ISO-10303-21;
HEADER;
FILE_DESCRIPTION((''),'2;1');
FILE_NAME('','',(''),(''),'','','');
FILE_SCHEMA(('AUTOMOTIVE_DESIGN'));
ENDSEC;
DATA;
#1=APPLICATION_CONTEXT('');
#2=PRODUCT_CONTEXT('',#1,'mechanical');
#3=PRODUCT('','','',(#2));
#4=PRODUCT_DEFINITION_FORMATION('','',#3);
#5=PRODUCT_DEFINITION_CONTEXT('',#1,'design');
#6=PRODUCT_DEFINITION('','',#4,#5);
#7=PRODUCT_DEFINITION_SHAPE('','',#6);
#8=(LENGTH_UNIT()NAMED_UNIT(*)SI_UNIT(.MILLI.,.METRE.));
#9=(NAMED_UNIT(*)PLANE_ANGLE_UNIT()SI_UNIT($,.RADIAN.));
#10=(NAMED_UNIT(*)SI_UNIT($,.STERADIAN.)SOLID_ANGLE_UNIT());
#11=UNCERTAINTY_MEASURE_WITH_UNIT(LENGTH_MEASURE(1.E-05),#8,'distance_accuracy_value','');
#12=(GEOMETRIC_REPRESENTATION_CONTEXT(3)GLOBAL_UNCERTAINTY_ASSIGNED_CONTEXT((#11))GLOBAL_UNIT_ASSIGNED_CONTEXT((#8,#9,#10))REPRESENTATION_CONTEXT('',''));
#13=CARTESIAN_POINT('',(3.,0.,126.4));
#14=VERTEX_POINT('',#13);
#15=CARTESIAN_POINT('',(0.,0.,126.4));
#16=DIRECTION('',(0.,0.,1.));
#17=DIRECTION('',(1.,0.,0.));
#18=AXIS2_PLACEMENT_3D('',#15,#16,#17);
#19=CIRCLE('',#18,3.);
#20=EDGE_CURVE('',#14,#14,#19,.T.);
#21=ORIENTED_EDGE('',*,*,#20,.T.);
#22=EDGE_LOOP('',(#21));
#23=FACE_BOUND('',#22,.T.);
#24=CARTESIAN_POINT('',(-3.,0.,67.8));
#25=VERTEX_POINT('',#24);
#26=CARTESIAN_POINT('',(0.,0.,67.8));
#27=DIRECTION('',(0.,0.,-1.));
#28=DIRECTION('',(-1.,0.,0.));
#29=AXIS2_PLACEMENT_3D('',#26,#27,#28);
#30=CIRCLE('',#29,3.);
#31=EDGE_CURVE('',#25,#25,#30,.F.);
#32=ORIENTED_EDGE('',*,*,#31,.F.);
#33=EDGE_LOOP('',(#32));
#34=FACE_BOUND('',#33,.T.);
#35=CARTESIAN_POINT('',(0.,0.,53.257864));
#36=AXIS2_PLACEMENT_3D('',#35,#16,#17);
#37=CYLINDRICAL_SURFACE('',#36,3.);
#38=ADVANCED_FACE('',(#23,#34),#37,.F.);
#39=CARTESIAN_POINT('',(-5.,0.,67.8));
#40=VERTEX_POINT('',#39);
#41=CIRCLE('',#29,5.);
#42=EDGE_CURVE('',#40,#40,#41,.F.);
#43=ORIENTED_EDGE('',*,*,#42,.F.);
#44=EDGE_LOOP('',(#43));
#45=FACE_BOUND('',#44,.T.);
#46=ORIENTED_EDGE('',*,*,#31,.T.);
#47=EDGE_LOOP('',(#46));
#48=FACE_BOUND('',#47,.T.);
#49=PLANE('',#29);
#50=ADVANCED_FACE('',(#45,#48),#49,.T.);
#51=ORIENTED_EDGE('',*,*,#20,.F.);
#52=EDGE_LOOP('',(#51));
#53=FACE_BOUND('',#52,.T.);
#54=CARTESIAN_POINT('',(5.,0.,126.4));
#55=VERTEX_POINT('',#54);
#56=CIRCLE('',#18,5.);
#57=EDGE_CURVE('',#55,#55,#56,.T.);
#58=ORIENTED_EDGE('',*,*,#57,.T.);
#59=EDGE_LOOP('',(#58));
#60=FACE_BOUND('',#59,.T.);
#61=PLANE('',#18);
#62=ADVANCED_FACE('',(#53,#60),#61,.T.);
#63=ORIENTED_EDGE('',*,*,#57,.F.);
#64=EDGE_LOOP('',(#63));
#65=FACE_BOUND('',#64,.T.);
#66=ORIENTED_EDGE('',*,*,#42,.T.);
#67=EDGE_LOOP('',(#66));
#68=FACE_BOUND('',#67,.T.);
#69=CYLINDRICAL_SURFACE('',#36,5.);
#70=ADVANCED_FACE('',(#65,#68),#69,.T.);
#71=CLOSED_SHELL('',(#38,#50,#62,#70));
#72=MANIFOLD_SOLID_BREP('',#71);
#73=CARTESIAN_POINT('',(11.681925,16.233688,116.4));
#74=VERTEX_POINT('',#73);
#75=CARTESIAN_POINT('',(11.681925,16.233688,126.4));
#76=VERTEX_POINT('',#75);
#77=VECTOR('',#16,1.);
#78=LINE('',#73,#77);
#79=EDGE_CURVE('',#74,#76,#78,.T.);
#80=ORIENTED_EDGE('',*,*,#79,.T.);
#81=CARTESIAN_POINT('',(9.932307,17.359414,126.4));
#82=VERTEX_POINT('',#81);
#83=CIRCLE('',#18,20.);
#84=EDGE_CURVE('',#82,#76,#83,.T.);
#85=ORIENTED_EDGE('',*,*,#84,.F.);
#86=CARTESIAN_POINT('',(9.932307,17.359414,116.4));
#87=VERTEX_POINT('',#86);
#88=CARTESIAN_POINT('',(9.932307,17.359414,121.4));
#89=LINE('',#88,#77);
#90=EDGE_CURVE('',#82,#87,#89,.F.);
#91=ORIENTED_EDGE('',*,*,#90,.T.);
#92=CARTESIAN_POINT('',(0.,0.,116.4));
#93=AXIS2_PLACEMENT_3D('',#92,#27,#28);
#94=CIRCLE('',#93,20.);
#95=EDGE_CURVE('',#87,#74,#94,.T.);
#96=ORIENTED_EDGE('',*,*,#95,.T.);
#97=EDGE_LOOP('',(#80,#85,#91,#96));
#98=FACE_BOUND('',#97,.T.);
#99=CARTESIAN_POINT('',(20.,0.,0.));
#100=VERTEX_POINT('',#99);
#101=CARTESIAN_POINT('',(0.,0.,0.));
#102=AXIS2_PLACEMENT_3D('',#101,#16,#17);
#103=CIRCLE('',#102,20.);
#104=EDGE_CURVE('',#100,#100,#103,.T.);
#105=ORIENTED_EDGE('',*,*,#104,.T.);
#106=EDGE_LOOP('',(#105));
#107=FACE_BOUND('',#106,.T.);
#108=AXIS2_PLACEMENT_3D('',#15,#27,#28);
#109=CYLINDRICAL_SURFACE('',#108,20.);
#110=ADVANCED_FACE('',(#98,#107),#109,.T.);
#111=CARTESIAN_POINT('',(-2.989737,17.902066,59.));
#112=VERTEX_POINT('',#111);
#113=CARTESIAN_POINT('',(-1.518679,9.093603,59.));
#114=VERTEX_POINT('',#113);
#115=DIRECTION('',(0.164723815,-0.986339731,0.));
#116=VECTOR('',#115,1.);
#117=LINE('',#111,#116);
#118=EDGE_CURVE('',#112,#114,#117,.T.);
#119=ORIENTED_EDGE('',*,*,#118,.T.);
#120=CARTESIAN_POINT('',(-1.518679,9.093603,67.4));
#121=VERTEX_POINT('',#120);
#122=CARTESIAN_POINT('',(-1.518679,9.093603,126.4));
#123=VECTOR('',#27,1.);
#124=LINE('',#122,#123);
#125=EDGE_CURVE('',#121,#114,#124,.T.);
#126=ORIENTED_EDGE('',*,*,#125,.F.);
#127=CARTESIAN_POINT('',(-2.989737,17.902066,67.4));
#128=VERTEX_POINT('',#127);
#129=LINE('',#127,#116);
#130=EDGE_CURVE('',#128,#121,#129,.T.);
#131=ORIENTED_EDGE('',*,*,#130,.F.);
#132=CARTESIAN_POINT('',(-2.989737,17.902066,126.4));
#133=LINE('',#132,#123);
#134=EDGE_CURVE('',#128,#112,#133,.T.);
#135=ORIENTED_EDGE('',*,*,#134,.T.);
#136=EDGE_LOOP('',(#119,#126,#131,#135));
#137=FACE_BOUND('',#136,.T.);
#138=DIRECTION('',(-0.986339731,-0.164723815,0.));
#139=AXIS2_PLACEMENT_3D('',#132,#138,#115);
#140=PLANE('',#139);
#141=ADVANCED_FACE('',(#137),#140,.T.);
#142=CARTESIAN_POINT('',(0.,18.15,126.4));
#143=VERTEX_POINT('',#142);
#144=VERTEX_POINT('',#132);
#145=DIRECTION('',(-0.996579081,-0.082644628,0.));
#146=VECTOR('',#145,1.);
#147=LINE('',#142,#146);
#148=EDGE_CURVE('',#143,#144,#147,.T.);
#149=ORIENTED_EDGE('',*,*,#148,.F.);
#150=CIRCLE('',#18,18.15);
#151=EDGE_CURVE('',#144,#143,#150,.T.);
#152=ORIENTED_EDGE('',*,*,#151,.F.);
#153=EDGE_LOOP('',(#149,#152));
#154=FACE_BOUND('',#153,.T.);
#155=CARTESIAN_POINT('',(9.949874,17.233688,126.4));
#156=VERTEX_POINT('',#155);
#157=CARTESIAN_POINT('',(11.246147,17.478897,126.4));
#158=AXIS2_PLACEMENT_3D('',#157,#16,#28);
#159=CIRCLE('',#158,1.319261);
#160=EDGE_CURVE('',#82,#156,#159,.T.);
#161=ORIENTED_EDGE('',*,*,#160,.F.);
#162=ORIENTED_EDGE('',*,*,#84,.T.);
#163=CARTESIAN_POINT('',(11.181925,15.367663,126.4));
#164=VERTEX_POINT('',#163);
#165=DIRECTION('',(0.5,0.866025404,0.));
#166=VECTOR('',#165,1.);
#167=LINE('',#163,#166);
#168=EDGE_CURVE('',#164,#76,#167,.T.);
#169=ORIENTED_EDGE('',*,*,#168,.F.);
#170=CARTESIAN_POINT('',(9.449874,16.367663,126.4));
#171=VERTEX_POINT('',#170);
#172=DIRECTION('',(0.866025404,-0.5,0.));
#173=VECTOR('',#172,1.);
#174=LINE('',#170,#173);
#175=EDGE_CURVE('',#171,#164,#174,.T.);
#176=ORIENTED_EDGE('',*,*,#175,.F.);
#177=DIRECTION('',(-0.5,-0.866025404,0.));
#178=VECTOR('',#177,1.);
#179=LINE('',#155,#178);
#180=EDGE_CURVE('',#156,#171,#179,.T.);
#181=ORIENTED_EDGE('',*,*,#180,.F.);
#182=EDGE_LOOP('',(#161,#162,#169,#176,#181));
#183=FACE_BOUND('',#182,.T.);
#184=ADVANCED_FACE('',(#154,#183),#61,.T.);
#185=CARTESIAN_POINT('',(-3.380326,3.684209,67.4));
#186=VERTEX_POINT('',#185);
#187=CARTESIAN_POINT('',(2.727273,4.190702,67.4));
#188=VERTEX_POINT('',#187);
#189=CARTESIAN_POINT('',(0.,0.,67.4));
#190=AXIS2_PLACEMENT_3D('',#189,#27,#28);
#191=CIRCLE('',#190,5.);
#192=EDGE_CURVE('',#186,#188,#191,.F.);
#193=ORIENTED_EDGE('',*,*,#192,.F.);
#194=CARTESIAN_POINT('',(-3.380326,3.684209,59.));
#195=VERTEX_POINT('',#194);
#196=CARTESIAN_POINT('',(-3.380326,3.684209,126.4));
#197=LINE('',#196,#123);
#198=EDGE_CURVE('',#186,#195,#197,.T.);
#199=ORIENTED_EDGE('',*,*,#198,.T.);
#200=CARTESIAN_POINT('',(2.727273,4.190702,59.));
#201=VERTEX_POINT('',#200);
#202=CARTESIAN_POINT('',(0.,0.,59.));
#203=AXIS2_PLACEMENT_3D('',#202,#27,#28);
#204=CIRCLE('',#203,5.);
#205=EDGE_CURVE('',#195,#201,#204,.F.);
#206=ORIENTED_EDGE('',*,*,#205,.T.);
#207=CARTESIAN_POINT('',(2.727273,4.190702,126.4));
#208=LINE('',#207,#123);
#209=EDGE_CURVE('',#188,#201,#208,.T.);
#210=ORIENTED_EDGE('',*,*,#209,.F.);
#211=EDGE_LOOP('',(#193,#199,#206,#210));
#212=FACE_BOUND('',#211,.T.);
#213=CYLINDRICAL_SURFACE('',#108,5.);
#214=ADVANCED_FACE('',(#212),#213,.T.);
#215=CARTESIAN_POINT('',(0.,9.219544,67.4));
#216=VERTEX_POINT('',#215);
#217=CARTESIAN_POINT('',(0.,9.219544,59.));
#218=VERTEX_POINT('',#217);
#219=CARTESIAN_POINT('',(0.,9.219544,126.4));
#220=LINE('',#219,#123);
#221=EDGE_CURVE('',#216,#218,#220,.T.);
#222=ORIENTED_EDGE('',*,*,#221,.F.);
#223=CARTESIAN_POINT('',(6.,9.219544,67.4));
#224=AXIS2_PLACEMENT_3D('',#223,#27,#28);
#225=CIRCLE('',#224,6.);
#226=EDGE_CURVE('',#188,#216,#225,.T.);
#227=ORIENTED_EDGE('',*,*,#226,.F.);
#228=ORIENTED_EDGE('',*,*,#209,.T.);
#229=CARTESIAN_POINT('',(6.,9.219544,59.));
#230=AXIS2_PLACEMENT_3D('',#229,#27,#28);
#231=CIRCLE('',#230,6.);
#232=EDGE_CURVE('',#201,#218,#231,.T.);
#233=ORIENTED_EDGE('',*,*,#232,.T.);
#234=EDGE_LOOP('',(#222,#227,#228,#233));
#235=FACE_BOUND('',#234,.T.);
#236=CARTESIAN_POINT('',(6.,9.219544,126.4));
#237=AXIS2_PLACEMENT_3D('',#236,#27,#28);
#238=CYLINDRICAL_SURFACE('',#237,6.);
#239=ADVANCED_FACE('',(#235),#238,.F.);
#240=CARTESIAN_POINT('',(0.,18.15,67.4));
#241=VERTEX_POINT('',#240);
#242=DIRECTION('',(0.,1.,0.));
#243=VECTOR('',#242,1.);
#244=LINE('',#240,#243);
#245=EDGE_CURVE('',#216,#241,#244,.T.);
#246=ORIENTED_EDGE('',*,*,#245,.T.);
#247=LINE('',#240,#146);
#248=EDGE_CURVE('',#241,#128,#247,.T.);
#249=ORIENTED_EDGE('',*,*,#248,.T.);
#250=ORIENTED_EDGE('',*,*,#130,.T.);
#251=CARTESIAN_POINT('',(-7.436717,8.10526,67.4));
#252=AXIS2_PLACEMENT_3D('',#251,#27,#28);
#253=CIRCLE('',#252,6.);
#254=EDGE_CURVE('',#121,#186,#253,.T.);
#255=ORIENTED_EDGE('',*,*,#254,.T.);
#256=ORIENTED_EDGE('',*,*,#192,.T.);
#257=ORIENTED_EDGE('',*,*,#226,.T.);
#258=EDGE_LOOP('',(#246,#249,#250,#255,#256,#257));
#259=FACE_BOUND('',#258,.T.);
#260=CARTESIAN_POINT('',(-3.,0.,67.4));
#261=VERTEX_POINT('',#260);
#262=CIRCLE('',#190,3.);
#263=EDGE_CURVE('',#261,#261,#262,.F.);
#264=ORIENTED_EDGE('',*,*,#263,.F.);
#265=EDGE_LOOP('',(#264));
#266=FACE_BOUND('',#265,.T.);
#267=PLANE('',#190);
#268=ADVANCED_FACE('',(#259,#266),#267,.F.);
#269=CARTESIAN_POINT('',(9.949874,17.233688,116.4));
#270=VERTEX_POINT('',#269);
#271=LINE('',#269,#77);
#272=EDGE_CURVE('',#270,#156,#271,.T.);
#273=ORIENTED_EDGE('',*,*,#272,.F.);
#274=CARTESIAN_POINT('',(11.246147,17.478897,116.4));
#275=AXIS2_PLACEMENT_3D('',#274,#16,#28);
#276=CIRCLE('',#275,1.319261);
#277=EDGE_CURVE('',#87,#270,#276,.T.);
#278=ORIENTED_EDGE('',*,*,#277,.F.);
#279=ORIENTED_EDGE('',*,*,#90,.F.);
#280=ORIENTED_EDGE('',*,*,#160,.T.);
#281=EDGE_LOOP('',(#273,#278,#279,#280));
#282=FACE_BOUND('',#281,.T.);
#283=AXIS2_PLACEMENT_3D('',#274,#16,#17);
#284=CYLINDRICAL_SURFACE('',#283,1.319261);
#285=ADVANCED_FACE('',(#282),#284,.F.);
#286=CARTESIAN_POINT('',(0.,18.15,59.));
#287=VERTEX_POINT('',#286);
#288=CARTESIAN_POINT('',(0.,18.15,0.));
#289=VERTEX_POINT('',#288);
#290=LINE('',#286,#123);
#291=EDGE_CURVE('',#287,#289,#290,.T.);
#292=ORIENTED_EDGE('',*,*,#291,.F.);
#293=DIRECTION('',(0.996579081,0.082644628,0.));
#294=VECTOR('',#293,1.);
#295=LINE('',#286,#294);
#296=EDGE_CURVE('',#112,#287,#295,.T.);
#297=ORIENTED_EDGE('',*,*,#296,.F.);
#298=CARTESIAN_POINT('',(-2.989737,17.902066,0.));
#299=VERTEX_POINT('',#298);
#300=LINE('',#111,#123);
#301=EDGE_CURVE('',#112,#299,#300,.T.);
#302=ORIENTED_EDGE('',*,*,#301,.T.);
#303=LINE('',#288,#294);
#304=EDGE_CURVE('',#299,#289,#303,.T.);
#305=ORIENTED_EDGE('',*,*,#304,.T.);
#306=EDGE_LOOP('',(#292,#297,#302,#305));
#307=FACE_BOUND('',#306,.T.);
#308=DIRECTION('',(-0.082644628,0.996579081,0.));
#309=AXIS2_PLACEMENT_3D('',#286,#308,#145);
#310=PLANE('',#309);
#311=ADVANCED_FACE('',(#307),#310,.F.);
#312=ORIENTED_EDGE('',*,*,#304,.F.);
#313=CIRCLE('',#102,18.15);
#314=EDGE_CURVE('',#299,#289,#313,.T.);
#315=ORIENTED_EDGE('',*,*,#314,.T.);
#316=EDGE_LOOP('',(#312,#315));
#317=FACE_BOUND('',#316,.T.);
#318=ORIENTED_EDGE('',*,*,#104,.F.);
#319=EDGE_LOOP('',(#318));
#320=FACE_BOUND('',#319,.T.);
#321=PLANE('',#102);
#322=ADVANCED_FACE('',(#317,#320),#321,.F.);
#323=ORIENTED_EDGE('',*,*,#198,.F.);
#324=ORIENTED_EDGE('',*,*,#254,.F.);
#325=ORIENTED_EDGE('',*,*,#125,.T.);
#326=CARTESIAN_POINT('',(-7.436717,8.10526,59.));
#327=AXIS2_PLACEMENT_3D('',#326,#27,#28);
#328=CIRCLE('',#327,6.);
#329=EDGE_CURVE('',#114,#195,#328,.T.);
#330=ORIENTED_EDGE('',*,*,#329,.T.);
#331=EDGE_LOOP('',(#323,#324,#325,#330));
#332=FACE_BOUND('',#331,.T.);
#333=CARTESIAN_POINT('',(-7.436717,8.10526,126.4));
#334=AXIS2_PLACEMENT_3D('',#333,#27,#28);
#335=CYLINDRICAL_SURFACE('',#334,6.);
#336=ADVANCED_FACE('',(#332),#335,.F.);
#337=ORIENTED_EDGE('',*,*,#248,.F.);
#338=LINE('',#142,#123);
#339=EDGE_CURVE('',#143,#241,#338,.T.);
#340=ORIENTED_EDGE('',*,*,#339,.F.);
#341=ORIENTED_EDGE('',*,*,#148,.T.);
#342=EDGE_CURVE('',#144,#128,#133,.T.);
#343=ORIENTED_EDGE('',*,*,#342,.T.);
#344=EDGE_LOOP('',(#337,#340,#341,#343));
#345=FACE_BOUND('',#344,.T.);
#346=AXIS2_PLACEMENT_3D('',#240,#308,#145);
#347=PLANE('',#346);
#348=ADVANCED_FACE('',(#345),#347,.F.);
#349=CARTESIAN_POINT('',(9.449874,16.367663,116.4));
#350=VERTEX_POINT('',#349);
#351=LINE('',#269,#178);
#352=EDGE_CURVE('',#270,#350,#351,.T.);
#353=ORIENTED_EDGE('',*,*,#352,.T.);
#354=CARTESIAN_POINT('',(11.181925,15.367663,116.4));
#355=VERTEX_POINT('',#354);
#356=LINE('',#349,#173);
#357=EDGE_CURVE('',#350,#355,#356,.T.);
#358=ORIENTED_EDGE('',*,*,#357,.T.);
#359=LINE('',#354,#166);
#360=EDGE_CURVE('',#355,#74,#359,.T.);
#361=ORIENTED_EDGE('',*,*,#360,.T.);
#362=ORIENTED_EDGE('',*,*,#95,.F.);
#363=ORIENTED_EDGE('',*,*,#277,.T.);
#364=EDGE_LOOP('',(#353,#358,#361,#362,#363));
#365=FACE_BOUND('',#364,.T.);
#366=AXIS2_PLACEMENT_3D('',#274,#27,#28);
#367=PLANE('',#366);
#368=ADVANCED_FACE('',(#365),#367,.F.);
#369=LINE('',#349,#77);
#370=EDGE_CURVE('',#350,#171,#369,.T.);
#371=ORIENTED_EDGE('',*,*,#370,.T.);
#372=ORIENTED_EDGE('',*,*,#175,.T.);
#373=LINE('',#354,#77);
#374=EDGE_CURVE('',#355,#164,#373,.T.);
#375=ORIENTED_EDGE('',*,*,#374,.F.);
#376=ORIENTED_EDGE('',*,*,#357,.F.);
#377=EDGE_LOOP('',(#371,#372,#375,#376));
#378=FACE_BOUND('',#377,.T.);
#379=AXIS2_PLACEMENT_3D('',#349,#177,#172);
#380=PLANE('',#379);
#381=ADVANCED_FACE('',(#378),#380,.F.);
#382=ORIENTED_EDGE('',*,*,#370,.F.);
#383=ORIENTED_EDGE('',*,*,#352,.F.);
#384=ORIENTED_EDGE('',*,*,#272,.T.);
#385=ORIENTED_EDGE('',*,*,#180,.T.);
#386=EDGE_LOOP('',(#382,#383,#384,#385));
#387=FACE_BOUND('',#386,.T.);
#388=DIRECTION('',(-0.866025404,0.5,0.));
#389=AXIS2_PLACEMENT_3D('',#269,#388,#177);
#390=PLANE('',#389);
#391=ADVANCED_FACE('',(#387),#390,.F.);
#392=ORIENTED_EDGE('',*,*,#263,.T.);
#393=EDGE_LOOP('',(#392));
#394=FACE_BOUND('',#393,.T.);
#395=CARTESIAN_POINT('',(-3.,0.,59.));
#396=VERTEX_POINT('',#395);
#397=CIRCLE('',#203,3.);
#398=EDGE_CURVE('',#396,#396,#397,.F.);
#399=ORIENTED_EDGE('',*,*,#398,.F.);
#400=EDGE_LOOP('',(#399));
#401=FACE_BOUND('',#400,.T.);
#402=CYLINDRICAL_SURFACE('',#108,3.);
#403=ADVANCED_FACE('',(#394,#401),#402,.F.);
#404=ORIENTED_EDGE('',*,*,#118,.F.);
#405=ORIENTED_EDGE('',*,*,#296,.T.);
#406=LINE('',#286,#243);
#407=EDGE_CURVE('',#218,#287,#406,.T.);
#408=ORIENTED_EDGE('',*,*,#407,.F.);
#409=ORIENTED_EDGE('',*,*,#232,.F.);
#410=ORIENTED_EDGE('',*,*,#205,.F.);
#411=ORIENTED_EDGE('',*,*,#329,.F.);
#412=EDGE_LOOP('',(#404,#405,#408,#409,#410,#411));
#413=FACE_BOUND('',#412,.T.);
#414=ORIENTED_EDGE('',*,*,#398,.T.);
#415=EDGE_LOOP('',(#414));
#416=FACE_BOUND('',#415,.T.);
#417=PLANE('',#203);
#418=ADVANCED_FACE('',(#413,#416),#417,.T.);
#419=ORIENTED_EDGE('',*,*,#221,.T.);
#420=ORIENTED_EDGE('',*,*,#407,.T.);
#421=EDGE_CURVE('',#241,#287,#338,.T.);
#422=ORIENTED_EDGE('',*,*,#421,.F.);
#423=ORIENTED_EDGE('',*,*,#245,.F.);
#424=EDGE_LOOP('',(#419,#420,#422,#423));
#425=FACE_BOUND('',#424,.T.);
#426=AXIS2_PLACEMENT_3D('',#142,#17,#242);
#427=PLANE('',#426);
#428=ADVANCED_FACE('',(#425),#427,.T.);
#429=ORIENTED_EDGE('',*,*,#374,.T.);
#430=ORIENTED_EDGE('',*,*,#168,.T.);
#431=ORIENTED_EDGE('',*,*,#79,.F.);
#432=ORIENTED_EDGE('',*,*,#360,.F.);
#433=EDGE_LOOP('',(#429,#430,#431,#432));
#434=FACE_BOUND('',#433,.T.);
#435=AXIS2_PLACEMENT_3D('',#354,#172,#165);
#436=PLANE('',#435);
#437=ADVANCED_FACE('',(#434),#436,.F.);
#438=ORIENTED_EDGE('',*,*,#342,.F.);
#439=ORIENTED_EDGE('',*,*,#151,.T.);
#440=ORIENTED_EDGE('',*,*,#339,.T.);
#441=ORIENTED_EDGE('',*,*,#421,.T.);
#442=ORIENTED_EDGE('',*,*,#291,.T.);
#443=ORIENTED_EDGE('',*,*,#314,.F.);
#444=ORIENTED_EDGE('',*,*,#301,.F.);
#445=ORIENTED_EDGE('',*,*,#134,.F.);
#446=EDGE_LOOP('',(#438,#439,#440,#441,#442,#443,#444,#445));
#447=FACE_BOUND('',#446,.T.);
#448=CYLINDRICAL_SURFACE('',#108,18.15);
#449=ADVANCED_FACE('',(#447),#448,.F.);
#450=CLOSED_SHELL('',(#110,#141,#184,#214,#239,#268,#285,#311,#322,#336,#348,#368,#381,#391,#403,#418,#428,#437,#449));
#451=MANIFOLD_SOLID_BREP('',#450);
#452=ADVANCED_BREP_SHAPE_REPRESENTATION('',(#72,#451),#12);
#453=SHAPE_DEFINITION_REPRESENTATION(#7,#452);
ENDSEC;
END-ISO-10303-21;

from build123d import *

# Parameters (mm, degrees)
SKETCH_2_R          = 20
SKETCH_2_R_2        = 18.15
EXTRUDE_1_DEPTH     = 126.4
SKETCH_5_R          = 3
EXTRUDE_3_DEPTH     = 126.4
CUT_EXTRUDE1_DEPTH  = 59
CUT_EXTRUDE2_DEPTH  = 59
SKETCH3_R           = 5
SKETCH3_R_2         = 3
BOSS_EXTRUDE1_DEPTH = 58.6
CUT_EXTRUDE3_DEPTH  = 10


with BuildPart() as part:
    # Эскиз2 → Бобышка-Вытянуть1 (new body)
    with BuildSketch(Plane.XY):
        Circle(SKETCH_2_R)
        Circle(SKETCH_2_R_2, mode=Mode.SUBTRACT)
    extrude(amount=EXTRUDE_1_DEPTH)

    # Эскиз5 → Бобышка-Вытянуть3 (add, through all)
    with BuildSketch(Plane(origin=(0, 0, 0), x_dir=(-1, 0, 0), z_dir=(0, 0, -1))):
        with BuildLine():
            Line((0, 18.15), (0, 9.219544457))
            ThreePointArc((0, 9.219544457), (-0.725705562, 6.35915669), (-2.727272727, 4.190702026))
            ThreePointArc((-2.727272727, 4.190702026), (-0.41322314, -4.982895407), (3.380325874, 3.68420914))
            ThreePointArc((3.380325874, 3.68420914), (1.76329678, 6.152747909), (1.518678537, 9.093602999))
            Line((1.518678537, 9.093602999), (2.989737244, 17.902066116))
            ThreePointArc((2.989737244, 17.902066116), (1.5, 18.087910327), (0, 18.15))
        make_face()
        Circle(SKETCH_5_R, mode=Mode.SUBTRACT)
    extrude(amount=-EXTRUDE_3_DEPTH)

    # Sketch1 → Cut-Extrude1 (cut)
    with BuildSketch(Plane(origin=(0, 0, 0), x_dir=(-1, 0, 0), z_dir=(0, 0, -1))):
        with BuildLine():
            Line((0, 18.15), (2.989737244, 17.902066116))
            ThreePointArc((2.989737244, 17.902066116), (-1.5, -18.087910327), (0, 18.15))
        make_face()
    extrude(amount=-CUT_EXTRUDE1_DEPTH, mode=Mode.SUBTRACT)

    # Sketch2 → Cut-Extrude2 (cut)
    with BuildSketch(Plane.XY.offset(126.4)):
        with BuildLine():
            Line((0, 18.15), (-2.989737244, 17.902066116))
            ThreePointArc((-2.989737244, 17.902066116), (1.5, -18.087910327), (0, 18.15))
        make_face()
    extrude(amount=-CUT_EXTRUDE2_DEPTH, mode=Mode.SUBTRACT)

    # Sketch4 → Cut-Extrude3 (cut)
    with BuildSketch(Plane.XY.offset(126.4)):
        with BuildLine():
            Line((9.949874371, 17.23368794), (9.449874371, 16.367662536))
            Line((9.449874371, 16.367662536), (11.181925179, 15.367662536))
            Line((11.181925179, 15.367662536), (11.681925179, 16.23368794))
            ThreePointArc((11.681925179, 16.23368794), (11.905777201, 18.621411015), (9.949874371, 17.23368794))
        make_face()
    extrude(amount=-CUT_EXTRUDE3_DEPTH, mode=Mode.SUBTRACT)


with BuildPart() as body_2:
    # Sketch3 → Boss-Extrude1 (new body)
    with BuildSketch(Plane.XY.offset(126.4)):
        Circle(SKETCH3_R)
        Circle(SKETCH3_R_2, mode=Mode.SUBTRACT)
    extrude(amount=-BOSS_EXTRUDE1_DEPTH)


solid = Compound([part.part, body_2.part])
